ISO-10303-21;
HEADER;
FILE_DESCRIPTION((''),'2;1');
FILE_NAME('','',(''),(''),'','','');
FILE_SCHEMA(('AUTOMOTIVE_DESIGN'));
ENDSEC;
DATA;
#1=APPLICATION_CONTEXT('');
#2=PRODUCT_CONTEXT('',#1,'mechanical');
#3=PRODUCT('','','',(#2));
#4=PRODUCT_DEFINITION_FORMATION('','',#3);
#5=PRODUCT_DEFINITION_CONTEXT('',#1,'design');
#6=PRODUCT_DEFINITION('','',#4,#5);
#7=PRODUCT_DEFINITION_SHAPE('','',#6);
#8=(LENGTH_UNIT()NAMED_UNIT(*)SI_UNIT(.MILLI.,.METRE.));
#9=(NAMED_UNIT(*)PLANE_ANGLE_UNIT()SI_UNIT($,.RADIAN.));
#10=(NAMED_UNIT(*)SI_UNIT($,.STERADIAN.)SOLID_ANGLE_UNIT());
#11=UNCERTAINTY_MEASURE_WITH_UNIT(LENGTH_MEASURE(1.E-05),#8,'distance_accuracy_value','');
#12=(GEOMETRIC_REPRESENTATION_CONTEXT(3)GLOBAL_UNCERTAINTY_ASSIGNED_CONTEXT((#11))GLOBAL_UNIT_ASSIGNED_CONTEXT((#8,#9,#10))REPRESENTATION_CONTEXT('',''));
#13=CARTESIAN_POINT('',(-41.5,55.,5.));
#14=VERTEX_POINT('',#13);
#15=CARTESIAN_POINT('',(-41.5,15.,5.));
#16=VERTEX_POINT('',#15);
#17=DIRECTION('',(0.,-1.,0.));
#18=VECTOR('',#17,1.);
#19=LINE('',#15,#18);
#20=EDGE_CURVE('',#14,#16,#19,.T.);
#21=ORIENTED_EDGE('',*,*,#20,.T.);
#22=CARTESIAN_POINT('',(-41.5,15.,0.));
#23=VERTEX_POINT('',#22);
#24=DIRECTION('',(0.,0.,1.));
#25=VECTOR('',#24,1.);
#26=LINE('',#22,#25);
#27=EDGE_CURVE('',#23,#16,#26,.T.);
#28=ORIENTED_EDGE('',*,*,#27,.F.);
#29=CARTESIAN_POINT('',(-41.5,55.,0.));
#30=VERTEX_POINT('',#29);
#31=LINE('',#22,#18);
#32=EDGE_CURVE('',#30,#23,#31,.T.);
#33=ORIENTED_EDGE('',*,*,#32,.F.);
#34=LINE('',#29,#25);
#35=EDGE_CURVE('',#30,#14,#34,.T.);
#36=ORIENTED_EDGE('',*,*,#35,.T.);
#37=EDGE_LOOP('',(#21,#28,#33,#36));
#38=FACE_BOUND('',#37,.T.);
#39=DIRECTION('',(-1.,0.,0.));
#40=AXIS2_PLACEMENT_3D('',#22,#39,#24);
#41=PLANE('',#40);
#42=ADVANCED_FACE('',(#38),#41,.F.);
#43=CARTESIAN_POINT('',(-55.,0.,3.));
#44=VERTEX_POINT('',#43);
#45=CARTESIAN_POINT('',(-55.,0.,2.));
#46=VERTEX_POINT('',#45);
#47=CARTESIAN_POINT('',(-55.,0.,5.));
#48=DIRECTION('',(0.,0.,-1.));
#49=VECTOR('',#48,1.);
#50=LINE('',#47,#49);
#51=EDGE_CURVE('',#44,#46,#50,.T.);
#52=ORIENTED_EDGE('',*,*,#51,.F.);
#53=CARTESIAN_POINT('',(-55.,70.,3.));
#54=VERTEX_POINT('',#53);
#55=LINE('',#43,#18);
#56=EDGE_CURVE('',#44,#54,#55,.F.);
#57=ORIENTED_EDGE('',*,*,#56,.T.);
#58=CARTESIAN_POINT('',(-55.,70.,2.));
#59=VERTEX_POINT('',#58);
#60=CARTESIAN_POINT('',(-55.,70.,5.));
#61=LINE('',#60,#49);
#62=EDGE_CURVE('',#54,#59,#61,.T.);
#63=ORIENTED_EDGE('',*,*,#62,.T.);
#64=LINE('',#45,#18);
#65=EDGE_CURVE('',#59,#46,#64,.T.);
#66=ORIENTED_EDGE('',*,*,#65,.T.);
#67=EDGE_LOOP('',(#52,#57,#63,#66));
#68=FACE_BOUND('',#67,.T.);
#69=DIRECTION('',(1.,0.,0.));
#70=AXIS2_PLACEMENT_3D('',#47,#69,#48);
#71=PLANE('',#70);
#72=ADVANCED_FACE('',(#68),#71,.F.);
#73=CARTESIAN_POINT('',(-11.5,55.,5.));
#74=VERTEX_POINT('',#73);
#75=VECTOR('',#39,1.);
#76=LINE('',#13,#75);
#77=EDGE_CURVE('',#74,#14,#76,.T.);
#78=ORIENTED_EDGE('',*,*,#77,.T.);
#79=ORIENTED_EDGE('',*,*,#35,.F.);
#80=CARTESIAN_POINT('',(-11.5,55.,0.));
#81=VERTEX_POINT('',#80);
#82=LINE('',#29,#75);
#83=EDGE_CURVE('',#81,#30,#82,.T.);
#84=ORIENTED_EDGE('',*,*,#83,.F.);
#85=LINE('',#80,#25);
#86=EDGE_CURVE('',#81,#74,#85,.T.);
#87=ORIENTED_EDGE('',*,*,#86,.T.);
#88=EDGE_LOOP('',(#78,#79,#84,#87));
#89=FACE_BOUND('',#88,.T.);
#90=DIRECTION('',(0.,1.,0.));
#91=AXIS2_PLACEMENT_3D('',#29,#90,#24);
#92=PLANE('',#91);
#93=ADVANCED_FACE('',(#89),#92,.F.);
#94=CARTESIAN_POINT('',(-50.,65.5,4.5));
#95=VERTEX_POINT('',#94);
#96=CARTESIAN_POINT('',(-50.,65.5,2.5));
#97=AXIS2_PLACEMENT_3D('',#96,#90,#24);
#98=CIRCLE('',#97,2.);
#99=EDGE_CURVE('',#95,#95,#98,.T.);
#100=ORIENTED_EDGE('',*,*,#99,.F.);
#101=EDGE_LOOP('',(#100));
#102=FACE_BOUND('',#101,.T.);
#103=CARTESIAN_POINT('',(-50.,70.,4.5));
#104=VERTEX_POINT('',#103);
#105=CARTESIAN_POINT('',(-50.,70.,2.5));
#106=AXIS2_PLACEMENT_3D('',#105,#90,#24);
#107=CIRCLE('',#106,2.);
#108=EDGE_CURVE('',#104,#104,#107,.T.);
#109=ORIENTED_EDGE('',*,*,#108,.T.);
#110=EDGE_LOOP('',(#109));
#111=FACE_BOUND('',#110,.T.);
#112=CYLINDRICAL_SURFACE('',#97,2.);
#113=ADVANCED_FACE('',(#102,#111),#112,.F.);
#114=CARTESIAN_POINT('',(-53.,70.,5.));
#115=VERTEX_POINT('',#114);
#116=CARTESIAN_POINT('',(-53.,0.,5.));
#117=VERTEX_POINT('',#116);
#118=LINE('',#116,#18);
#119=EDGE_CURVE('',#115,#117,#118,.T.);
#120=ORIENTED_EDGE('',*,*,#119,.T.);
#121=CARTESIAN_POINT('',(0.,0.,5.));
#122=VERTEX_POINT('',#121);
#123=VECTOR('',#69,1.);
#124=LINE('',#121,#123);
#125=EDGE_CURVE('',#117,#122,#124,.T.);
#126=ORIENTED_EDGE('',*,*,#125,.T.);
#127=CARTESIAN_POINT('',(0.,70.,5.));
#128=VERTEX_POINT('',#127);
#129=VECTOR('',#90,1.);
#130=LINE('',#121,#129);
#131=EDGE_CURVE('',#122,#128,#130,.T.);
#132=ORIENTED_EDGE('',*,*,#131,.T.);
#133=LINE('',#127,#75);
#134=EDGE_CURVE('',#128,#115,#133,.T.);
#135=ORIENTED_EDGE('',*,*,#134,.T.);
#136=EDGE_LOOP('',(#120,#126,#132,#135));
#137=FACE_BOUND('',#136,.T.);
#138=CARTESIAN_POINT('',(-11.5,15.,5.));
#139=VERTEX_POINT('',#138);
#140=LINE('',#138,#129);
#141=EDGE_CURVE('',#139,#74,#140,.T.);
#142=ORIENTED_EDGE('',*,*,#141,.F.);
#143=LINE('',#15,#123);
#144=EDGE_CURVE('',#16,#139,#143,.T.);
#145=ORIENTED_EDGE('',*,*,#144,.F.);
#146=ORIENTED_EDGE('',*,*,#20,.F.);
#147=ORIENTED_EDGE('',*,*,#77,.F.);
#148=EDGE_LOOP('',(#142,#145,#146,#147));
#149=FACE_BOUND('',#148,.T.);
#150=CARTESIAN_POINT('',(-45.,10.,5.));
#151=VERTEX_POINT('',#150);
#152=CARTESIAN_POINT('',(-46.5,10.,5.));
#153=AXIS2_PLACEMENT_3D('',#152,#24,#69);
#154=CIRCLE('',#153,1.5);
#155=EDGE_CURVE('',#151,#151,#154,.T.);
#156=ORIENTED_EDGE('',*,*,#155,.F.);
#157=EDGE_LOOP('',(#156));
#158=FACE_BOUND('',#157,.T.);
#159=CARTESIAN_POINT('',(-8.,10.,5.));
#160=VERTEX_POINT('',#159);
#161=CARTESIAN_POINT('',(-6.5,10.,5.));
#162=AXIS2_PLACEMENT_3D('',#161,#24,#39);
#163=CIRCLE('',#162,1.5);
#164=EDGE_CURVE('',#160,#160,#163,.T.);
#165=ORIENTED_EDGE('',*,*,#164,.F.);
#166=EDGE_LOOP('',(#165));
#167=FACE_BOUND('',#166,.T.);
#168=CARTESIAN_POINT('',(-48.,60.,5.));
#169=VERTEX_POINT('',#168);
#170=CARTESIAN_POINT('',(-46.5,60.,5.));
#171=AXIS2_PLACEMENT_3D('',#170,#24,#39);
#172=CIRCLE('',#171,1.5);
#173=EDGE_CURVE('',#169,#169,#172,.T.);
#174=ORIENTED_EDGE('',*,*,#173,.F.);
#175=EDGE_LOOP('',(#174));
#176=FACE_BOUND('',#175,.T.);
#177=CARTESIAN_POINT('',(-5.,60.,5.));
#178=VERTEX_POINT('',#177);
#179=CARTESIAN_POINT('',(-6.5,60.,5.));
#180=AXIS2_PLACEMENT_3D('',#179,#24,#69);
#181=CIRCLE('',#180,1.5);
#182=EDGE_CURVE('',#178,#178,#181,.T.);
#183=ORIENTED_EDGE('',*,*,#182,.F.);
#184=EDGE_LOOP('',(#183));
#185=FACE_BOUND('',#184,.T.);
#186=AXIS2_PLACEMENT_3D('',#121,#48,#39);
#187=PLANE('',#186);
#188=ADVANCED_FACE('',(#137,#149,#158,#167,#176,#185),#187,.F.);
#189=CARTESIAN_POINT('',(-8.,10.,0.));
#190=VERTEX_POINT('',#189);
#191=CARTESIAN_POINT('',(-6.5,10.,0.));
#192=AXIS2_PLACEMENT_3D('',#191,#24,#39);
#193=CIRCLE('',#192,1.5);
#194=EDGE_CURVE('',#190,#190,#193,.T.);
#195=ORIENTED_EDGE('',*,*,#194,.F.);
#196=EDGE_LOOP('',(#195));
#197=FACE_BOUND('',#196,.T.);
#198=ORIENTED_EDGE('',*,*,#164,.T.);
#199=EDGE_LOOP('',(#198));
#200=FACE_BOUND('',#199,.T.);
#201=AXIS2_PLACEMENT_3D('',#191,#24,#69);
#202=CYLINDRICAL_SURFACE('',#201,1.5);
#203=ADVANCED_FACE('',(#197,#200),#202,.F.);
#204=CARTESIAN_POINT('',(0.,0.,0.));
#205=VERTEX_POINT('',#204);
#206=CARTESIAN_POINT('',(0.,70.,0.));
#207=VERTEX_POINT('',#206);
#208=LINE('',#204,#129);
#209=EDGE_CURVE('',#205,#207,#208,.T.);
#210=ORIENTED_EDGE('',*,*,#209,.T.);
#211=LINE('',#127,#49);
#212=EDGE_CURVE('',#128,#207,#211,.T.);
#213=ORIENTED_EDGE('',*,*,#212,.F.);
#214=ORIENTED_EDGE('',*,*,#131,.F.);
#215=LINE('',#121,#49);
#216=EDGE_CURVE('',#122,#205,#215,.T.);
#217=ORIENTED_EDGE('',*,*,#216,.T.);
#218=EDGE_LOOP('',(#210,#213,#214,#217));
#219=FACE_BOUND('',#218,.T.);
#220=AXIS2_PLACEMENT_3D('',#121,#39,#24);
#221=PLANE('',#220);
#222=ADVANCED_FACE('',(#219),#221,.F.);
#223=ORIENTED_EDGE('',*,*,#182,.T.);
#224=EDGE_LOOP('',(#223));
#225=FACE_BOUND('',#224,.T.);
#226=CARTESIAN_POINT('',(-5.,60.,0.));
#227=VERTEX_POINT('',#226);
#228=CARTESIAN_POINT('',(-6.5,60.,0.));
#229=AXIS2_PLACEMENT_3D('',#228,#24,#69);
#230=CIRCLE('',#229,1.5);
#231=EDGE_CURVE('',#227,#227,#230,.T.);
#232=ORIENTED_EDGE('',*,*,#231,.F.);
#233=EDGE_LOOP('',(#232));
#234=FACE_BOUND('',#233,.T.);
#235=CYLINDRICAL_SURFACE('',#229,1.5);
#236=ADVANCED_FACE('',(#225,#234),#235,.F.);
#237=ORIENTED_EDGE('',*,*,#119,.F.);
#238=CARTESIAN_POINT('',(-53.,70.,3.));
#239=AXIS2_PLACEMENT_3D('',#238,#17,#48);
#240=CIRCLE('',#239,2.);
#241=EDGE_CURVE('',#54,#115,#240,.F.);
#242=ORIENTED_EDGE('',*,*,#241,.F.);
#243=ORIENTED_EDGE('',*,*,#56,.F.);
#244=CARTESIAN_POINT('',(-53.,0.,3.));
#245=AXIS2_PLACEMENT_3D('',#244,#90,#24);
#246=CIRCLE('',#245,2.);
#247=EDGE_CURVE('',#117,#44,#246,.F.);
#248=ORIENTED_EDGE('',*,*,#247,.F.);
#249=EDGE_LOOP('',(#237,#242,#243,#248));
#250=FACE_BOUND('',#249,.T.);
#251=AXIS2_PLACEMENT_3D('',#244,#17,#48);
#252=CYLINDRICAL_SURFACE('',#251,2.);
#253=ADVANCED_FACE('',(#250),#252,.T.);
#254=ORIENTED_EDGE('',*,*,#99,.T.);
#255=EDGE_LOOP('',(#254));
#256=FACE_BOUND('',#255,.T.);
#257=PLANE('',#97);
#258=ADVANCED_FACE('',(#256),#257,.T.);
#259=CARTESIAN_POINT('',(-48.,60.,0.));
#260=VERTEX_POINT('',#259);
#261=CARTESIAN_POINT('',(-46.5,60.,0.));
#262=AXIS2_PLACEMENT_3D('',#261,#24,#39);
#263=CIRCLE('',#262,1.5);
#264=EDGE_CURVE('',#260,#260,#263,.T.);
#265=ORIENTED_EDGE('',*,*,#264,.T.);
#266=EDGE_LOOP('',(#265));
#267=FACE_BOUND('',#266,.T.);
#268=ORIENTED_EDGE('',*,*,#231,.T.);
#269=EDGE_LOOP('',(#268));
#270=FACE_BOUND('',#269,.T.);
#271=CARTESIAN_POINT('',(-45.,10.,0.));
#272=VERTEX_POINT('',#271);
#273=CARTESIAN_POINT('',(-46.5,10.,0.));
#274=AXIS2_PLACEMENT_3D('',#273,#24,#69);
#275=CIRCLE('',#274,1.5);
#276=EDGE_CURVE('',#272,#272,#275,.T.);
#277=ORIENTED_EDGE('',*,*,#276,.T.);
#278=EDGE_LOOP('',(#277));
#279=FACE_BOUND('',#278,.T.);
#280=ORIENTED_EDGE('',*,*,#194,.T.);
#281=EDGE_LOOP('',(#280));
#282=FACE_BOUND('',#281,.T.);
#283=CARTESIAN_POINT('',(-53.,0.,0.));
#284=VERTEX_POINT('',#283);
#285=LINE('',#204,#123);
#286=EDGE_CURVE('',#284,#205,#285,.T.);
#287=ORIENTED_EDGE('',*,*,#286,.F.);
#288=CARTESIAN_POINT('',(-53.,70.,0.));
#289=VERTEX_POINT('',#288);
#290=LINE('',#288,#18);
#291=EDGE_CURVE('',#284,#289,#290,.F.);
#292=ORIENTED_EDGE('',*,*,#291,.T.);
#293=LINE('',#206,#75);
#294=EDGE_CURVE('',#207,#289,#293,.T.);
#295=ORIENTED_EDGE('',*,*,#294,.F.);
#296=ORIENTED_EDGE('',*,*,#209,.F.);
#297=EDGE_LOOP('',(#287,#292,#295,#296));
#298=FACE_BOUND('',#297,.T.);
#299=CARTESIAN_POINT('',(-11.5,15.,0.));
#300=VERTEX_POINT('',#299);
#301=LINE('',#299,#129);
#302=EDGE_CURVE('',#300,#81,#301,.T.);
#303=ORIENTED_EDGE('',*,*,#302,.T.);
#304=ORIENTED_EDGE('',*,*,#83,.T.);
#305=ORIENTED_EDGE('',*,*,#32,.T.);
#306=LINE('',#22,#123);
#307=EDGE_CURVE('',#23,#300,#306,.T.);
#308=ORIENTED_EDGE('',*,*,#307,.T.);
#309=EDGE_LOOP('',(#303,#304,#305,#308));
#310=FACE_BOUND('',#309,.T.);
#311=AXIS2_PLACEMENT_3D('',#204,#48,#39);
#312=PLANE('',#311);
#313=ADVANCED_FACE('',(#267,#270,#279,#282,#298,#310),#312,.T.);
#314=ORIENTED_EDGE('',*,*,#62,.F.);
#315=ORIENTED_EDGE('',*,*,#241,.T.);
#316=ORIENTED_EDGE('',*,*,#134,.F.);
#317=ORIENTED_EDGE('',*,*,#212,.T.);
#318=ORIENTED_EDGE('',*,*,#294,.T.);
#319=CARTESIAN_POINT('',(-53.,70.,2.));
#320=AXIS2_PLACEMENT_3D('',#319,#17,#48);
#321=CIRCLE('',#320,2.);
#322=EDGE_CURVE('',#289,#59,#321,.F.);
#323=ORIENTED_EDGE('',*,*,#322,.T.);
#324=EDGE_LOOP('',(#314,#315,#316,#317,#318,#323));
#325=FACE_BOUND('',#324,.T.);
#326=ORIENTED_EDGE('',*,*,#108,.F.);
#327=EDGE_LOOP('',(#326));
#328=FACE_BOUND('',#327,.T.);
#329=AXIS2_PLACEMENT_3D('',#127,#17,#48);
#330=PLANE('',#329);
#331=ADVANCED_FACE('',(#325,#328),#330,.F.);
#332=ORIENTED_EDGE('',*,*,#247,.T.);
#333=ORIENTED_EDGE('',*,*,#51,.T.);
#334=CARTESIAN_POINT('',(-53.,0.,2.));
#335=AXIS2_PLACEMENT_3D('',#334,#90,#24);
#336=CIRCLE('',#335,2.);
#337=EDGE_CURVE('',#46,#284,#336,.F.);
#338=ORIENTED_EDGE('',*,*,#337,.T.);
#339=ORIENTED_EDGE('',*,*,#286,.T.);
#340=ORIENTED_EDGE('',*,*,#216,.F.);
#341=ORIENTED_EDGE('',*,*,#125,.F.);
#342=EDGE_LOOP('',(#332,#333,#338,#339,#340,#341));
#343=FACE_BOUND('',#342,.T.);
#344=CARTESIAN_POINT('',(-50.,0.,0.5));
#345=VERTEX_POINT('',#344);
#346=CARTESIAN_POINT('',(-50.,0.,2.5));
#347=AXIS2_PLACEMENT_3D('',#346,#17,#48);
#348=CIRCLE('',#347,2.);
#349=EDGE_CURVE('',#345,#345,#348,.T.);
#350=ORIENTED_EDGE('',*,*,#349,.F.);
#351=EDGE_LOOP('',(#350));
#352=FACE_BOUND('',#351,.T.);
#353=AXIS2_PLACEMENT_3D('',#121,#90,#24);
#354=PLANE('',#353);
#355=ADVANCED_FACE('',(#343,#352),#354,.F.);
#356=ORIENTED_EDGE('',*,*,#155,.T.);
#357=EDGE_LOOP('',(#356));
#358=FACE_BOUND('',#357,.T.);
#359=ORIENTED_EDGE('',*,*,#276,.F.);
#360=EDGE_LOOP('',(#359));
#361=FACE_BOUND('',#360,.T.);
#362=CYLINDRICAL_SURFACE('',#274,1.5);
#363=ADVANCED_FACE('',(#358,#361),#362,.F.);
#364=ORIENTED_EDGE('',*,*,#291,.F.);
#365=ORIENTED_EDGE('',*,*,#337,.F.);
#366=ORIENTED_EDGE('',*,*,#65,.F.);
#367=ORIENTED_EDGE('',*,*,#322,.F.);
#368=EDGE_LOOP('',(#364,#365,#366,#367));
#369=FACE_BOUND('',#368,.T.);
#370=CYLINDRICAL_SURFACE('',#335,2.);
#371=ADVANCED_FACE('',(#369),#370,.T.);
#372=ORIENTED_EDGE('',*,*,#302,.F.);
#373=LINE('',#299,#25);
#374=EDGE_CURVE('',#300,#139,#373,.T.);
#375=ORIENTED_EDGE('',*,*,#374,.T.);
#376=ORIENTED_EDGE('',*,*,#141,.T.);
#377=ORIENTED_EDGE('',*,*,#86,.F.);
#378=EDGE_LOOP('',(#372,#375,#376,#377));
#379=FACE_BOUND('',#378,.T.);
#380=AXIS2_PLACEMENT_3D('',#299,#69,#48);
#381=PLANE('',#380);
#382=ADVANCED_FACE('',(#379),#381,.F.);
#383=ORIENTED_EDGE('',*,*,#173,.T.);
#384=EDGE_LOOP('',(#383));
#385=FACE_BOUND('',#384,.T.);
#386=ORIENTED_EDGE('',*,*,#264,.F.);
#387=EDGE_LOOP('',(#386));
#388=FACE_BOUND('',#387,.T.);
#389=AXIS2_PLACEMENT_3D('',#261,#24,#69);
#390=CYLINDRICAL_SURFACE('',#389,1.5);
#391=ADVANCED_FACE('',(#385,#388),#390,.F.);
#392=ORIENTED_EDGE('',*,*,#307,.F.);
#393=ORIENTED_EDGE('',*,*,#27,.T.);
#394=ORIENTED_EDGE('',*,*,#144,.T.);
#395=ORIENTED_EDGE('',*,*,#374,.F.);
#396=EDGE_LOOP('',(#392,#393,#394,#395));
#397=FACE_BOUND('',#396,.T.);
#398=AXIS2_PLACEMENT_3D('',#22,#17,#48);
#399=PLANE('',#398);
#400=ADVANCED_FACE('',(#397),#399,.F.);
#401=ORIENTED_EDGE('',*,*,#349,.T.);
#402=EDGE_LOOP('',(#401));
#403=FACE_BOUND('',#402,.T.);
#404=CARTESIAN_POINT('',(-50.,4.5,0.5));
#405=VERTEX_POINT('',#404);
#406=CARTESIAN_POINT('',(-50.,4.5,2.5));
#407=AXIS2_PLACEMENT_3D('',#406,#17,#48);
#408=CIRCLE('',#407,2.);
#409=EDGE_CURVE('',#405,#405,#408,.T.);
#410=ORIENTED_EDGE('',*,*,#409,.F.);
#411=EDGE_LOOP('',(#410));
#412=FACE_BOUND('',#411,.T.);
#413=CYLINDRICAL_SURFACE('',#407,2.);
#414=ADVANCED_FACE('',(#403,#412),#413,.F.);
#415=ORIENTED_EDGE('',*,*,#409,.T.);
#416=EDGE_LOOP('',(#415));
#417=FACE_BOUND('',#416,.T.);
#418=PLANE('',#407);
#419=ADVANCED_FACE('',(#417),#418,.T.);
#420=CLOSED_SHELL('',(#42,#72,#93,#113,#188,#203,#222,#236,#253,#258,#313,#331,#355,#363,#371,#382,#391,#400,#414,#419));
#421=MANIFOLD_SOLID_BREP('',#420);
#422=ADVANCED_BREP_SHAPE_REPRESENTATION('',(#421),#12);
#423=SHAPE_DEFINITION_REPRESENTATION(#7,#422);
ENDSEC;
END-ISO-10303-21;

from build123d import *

# Parameters (mm, degrees)
SKETCH1_W           = 70
SKETCH1_H           = 55
BOSS_EXTRUDE1_DEPTH = 5
SKETCH2_R           = 2
CUT_EXTRUDE1_DEPTH  = 4.5
SKETCH3_R           = 2
CUT_EXTRUDE2_DEPTH  = 4.5
FILLET1_R           = 2
SKETCH4_R           = 1.5
SKETCH4_W           = 30
SKETCH4_H           = 40
CUT_EXTRUDE3_DEPTH  = 6


with BuildPart() as part:
    # Sketch1 → Boss-Extrude1 (new body)
    with BuildSketch(Plane(origin=(0, 0, 0), x_dir=(0, 1, 0), z_dir=(0, 0, 1))):
        with Locations((35, 27.5)):
            Rectangle(SKETCH1_W, SKETCH1_H)
    extrude(amount=BOSS_EXTRUDE1_DEPTH)

    # Sketch2 → Cut-Extrude1 (cut)
    with BuildSketch(Plane(origin=(0, 70, 0), x_dir=(-1, 0, 0), z_dir=(0, 1, 0))):
        with Locations((50, 2.5)):
            Circle(SKETCH2_R)
    extrude(amount=-CUT_EXTRUDE1_DEPTH, mode=Mode.SUBTRACT)

    # Sketch3 → Cut-Extrude2 (cut)
    with BuildSketch(Plane.XZ):
        with Locations((-50, 2.5)):
            Circle(SKETCH3_R)
    extrude(amount=-CUT_EXTRUDE2_DEPTH, mode=Mode.SUBTRACT)

    # Fillet1
    fillet1_edges = [part.edges().sort_by_distance(p)[0] for p in [
        (-55, 35, 5),
        (-55, 35, 0),
    ]]
    fillet(fillet1_edges, radius=FILLET1_R)

    # Sketch4 → Cut-Extrude3 (cut, through all)
    with BuildSketch(Plane.XY.offset(5)):
        with Locations((-6.5, 60)):
            Circle(SKETCH4_R)
        with Locations((-46.5, 60)):
            Circle(SKETCH4_R)
        with Locations((-6.5, 10)):
            Circle(SKETCH4_R)
        with Locations((-46.5, 10)):
            Circle(SKETCH4_R)
        with Locations((-26.5, 35)):
            Rectangle(SKETCH4_W, SKETCH4_H)
    extrude(amount=-CUT_EXTRUDE3_DEPTH, mode=Mode.SUBTRACT)


solid = part.part
